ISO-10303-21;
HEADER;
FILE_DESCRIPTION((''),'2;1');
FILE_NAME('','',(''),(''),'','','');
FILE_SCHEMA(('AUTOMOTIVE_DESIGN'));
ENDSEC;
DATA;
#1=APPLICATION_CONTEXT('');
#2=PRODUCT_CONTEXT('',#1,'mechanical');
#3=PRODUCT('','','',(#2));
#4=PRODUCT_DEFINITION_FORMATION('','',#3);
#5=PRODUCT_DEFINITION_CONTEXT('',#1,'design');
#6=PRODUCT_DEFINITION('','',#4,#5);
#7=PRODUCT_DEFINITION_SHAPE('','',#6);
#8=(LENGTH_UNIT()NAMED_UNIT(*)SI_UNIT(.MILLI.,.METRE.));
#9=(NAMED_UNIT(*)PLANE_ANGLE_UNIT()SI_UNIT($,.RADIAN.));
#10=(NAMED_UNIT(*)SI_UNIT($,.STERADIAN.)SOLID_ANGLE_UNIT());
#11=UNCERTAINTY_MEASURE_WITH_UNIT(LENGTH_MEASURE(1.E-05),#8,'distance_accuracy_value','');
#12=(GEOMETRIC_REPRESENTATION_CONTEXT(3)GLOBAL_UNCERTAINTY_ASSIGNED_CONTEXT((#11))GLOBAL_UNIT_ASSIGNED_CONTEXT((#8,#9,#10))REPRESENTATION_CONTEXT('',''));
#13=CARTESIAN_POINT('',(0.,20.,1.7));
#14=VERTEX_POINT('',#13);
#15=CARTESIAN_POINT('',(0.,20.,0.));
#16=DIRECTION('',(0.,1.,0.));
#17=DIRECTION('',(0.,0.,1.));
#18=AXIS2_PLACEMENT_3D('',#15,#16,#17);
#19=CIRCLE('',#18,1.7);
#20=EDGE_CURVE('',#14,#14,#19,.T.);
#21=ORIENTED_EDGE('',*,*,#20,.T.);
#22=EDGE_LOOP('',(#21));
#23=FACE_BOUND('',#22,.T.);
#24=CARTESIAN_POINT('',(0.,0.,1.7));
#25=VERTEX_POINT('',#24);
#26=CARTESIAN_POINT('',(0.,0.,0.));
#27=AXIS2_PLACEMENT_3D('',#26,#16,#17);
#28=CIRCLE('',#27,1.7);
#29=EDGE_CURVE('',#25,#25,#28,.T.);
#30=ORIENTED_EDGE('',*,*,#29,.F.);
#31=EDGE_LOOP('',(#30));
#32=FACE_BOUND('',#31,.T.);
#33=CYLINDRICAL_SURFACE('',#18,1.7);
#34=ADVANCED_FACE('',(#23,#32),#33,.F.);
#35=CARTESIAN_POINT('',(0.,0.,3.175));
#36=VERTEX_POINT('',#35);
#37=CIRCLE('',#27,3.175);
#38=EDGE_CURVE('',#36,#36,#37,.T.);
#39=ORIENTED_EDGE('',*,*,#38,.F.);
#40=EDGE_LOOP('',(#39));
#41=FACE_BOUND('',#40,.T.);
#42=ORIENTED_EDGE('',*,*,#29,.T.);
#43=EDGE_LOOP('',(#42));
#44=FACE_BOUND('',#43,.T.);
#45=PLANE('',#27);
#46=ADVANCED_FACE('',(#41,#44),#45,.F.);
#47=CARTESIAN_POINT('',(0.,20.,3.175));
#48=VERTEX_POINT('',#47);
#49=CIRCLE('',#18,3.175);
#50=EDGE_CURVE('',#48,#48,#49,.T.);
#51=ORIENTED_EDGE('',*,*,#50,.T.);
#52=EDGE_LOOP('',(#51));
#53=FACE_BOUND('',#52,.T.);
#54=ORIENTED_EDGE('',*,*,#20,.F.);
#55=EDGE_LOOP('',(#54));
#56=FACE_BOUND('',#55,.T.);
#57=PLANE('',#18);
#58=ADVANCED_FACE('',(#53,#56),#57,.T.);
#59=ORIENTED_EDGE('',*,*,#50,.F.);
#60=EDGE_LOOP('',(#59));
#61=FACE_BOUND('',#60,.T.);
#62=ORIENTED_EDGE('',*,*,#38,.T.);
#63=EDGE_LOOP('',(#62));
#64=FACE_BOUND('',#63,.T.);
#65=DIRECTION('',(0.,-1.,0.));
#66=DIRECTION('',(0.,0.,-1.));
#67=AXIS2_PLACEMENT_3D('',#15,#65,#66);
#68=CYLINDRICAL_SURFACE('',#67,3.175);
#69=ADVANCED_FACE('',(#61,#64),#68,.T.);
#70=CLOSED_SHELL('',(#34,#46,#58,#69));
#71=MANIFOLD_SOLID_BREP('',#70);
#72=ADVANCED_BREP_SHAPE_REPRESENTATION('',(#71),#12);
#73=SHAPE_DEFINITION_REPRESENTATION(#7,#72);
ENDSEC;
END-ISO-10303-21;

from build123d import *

# Parameters (mm, degrees)
SKETCH1_R            = 3.175
BOSS_EXTRUDE1_DEPTH  = 20
M3_CLEARANCE_HOLE1_D = 3.4


with BuildPart() as part:
    # Sketch1 → Boss-Extrude1 (new body)
    with BuildSketch(Plane(origin=(0, 0, 0), x_dir=(1, 0, 0), z_dir=(0, 1, 0))):
        with Locations(Location((0, 0, 0), (0, 0, 270))):
            Circle(SKETCH1_R)
    extrude(amount=BOSS_EXTRUDE1_DEPTH)

    # M3 Clearance Hole1 (through all)
    with Locations(Plane(origin=(0, 20, 0), x_dir=(1, 0, 0), z_dir=(0, 1, 0))):
        with Locations((0, 0)):
            Hole(M3_CLEARANCE_HOLE1_D / 2)


solid = part.part
